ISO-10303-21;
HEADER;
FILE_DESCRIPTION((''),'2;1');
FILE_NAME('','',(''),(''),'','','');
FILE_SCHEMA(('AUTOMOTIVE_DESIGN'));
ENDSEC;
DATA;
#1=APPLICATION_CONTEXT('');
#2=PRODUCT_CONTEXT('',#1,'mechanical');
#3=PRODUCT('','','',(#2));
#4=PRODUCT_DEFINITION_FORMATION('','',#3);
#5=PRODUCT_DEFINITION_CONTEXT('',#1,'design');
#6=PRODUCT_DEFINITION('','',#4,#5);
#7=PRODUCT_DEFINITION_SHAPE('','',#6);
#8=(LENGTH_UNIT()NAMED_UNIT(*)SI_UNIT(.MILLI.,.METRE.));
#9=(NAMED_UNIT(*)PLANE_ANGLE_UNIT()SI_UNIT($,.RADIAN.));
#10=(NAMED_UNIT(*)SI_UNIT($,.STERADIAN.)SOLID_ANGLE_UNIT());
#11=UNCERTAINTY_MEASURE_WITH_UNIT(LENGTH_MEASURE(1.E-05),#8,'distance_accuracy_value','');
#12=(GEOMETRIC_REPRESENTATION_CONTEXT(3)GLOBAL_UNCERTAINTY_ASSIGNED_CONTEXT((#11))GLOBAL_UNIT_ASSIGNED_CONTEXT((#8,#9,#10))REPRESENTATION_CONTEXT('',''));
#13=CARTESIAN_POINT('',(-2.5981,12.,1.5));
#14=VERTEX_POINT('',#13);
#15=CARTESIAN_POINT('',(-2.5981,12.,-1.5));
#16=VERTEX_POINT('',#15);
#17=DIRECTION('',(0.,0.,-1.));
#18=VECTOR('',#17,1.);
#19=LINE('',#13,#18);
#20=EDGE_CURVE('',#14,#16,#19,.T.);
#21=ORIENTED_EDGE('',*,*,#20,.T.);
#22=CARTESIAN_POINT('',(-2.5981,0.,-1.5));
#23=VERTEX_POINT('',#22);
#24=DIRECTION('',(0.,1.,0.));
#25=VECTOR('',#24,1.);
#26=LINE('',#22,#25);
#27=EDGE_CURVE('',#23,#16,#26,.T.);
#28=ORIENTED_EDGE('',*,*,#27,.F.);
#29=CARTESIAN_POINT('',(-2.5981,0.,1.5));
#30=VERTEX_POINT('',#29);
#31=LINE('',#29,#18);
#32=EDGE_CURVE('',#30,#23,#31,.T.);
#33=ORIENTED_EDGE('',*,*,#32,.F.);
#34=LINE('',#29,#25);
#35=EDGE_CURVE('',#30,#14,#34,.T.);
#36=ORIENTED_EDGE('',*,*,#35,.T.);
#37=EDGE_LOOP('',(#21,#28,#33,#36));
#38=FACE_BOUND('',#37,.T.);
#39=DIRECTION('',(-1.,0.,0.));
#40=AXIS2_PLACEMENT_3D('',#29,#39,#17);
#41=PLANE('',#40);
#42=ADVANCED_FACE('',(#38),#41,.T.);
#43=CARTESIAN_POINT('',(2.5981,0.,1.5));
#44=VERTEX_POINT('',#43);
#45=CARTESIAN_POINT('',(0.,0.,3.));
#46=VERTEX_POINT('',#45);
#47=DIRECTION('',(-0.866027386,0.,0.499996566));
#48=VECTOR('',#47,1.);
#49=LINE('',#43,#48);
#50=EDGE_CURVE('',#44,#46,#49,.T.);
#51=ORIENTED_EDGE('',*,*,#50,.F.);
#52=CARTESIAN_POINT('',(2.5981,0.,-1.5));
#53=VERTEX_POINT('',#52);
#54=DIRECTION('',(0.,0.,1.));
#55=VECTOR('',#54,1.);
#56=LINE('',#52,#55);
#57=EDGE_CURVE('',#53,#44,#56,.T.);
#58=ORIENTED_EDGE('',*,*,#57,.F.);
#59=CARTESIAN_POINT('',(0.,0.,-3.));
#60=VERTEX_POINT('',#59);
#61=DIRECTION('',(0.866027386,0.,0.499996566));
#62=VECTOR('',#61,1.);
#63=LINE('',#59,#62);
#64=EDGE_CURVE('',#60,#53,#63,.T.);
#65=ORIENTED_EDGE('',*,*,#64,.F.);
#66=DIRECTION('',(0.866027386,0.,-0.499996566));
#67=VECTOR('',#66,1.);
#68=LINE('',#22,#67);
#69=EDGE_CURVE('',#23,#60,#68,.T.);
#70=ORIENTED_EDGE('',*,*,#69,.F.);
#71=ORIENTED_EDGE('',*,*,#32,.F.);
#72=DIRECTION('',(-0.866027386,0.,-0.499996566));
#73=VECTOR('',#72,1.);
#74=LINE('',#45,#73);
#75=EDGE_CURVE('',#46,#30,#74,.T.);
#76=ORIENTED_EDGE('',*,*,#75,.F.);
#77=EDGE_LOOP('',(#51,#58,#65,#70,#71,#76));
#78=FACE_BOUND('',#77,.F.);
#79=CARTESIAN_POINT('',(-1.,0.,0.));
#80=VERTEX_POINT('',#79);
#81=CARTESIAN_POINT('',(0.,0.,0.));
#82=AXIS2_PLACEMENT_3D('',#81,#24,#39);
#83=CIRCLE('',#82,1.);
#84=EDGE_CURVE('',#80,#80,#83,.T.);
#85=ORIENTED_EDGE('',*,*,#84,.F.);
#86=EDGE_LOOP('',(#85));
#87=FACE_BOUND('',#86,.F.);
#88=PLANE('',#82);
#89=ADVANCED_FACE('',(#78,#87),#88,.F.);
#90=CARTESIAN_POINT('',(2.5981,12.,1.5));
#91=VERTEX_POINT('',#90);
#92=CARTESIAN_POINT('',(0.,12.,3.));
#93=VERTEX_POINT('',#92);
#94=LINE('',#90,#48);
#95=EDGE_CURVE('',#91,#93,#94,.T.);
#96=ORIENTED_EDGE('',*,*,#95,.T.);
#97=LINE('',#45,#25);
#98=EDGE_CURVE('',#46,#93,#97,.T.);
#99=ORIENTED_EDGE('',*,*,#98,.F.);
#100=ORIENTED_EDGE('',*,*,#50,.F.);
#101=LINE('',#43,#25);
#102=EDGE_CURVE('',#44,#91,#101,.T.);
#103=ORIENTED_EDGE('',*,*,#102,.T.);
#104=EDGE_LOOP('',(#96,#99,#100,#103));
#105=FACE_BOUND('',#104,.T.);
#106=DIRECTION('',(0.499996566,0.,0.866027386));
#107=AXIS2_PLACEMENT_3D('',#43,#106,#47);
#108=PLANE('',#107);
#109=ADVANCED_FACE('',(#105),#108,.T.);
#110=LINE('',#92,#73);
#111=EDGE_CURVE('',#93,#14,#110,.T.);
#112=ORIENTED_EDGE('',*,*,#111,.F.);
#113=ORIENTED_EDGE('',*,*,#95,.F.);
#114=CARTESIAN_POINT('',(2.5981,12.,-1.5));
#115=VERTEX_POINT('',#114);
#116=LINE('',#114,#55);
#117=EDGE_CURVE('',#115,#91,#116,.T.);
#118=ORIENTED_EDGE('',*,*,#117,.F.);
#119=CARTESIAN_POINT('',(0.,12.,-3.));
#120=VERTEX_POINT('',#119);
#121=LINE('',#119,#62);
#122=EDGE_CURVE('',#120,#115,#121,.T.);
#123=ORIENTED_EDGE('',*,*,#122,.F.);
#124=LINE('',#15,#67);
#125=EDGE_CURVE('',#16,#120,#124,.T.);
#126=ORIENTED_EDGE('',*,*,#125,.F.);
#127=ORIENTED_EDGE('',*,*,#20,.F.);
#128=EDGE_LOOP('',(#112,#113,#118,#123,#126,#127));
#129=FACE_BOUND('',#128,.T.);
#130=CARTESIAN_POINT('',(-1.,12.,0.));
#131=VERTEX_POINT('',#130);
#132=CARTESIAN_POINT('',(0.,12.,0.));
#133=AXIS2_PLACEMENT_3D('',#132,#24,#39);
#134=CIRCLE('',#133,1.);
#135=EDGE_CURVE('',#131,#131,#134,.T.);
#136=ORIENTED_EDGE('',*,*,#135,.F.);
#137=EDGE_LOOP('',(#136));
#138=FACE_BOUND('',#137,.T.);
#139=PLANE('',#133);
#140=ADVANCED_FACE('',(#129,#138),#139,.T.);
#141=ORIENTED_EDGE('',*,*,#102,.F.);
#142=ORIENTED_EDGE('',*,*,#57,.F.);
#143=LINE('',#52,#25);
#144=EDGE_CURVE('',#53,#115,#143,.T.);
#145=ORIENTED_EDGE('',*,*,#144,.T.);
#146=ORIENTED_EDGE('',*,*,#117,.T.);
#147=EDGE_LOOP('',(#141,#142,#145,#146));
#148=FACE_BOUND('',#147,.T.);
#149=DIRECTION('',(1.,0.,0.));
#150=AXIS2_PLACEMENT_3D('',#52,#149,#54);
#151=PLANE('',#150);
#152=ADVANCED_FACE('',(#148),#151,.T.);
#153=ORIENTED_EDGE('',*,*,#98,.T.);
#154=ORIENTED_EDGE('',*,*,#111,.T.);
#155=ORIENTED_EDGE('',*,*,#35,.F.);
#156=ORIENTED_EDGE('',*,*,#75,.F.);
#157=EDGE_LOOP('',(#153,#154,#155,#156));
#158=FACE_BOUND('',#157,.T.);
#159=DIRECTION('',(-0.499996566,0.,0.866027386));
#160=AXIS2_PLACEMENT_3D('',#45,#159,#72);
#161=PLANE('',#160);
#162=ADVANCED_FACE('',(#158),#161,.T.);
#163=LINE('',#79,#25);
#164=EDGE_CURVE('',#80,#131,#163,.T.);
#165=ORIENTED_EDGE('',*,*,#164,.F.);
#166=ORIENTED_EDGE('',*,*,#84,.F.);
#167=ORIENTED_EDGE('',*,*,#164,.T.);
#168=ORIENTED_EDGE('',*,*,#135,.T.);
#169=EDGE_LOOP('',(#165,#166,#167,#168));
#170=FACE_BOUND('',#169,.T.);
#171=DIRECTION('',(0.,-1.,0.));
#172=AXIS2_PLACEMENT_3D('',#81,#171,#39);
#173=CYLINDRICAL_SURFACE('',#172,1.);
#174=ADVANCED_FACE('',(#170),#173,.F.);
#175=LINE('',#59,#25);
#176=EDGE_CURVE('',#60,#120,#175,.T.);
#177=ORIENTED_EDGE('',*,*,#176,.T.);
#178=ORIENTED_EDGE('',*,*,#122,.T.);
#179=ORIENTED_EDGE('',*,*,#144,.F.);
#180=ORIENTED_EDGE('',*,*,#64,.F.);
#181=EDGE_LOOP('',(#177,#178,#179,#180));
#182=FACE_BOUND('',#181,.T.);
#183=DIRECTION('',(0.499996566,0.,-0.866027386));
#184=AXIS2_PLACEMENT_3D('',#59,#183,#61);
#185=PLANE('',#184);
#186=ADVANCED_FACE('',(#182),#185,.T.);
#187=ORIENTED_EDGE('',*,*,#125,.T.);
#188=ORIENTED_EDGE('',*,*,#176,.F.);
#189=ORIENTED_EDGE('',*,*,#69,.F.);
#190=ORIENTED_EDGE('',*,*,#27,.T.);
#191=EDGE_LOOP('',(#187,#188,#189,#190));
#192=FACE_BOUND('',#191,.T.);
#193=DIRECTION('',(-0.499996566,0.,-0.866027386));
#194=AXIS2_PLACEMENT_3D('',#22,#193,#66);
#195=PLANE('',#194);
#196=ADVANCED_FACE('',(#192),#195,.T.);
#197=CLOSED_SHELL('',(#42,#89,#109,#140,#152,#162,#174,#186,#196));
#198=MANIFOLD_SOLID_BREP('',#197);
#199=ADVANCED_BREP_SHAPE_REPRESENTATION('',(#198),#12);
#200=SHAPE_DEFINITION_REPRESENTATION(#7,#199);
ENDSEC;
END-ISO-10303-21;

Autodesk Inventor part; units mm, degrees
ref_plane "YZ Plane" through (0, 0, 0) normal (1, 0, 0) x (0, 1, 0)
ref_plane "XZ Plane" through (0, 0, 0) normal (0, 1, 0) x (-1, 0, 0)
ref_plane "XY Plane" through (0, 0, 0) normal (0, 0, 1) x (1, 0, 0)
sketch "Sketch1" plane through (0, 0, 0) normal (0, 1, 0) x (-1, 0, 0)
  line L0 (0, -3) -> (-2.5981, -1.5)
  line L1 (-2.5981, -1.5) -> (-2.5981, 1.5)
  line L2 (-2.5981, 1.5) -> (0, 3)
  line L3 (0, 3) -> (2.5981, 1.5)
  line L4 (2.5981, 1.5) -> (2.5981, -1.5)
  line L5 (2.5981, -1.5) -> (0, -3)
  circle A0 centre (0, 0) radius 1
  dimension "d1" = 3
  dimension "d2" = 2
extrude "Extrusion1" add sketch "Sketch1" along normal blind 12
properties part number "Standoff"
